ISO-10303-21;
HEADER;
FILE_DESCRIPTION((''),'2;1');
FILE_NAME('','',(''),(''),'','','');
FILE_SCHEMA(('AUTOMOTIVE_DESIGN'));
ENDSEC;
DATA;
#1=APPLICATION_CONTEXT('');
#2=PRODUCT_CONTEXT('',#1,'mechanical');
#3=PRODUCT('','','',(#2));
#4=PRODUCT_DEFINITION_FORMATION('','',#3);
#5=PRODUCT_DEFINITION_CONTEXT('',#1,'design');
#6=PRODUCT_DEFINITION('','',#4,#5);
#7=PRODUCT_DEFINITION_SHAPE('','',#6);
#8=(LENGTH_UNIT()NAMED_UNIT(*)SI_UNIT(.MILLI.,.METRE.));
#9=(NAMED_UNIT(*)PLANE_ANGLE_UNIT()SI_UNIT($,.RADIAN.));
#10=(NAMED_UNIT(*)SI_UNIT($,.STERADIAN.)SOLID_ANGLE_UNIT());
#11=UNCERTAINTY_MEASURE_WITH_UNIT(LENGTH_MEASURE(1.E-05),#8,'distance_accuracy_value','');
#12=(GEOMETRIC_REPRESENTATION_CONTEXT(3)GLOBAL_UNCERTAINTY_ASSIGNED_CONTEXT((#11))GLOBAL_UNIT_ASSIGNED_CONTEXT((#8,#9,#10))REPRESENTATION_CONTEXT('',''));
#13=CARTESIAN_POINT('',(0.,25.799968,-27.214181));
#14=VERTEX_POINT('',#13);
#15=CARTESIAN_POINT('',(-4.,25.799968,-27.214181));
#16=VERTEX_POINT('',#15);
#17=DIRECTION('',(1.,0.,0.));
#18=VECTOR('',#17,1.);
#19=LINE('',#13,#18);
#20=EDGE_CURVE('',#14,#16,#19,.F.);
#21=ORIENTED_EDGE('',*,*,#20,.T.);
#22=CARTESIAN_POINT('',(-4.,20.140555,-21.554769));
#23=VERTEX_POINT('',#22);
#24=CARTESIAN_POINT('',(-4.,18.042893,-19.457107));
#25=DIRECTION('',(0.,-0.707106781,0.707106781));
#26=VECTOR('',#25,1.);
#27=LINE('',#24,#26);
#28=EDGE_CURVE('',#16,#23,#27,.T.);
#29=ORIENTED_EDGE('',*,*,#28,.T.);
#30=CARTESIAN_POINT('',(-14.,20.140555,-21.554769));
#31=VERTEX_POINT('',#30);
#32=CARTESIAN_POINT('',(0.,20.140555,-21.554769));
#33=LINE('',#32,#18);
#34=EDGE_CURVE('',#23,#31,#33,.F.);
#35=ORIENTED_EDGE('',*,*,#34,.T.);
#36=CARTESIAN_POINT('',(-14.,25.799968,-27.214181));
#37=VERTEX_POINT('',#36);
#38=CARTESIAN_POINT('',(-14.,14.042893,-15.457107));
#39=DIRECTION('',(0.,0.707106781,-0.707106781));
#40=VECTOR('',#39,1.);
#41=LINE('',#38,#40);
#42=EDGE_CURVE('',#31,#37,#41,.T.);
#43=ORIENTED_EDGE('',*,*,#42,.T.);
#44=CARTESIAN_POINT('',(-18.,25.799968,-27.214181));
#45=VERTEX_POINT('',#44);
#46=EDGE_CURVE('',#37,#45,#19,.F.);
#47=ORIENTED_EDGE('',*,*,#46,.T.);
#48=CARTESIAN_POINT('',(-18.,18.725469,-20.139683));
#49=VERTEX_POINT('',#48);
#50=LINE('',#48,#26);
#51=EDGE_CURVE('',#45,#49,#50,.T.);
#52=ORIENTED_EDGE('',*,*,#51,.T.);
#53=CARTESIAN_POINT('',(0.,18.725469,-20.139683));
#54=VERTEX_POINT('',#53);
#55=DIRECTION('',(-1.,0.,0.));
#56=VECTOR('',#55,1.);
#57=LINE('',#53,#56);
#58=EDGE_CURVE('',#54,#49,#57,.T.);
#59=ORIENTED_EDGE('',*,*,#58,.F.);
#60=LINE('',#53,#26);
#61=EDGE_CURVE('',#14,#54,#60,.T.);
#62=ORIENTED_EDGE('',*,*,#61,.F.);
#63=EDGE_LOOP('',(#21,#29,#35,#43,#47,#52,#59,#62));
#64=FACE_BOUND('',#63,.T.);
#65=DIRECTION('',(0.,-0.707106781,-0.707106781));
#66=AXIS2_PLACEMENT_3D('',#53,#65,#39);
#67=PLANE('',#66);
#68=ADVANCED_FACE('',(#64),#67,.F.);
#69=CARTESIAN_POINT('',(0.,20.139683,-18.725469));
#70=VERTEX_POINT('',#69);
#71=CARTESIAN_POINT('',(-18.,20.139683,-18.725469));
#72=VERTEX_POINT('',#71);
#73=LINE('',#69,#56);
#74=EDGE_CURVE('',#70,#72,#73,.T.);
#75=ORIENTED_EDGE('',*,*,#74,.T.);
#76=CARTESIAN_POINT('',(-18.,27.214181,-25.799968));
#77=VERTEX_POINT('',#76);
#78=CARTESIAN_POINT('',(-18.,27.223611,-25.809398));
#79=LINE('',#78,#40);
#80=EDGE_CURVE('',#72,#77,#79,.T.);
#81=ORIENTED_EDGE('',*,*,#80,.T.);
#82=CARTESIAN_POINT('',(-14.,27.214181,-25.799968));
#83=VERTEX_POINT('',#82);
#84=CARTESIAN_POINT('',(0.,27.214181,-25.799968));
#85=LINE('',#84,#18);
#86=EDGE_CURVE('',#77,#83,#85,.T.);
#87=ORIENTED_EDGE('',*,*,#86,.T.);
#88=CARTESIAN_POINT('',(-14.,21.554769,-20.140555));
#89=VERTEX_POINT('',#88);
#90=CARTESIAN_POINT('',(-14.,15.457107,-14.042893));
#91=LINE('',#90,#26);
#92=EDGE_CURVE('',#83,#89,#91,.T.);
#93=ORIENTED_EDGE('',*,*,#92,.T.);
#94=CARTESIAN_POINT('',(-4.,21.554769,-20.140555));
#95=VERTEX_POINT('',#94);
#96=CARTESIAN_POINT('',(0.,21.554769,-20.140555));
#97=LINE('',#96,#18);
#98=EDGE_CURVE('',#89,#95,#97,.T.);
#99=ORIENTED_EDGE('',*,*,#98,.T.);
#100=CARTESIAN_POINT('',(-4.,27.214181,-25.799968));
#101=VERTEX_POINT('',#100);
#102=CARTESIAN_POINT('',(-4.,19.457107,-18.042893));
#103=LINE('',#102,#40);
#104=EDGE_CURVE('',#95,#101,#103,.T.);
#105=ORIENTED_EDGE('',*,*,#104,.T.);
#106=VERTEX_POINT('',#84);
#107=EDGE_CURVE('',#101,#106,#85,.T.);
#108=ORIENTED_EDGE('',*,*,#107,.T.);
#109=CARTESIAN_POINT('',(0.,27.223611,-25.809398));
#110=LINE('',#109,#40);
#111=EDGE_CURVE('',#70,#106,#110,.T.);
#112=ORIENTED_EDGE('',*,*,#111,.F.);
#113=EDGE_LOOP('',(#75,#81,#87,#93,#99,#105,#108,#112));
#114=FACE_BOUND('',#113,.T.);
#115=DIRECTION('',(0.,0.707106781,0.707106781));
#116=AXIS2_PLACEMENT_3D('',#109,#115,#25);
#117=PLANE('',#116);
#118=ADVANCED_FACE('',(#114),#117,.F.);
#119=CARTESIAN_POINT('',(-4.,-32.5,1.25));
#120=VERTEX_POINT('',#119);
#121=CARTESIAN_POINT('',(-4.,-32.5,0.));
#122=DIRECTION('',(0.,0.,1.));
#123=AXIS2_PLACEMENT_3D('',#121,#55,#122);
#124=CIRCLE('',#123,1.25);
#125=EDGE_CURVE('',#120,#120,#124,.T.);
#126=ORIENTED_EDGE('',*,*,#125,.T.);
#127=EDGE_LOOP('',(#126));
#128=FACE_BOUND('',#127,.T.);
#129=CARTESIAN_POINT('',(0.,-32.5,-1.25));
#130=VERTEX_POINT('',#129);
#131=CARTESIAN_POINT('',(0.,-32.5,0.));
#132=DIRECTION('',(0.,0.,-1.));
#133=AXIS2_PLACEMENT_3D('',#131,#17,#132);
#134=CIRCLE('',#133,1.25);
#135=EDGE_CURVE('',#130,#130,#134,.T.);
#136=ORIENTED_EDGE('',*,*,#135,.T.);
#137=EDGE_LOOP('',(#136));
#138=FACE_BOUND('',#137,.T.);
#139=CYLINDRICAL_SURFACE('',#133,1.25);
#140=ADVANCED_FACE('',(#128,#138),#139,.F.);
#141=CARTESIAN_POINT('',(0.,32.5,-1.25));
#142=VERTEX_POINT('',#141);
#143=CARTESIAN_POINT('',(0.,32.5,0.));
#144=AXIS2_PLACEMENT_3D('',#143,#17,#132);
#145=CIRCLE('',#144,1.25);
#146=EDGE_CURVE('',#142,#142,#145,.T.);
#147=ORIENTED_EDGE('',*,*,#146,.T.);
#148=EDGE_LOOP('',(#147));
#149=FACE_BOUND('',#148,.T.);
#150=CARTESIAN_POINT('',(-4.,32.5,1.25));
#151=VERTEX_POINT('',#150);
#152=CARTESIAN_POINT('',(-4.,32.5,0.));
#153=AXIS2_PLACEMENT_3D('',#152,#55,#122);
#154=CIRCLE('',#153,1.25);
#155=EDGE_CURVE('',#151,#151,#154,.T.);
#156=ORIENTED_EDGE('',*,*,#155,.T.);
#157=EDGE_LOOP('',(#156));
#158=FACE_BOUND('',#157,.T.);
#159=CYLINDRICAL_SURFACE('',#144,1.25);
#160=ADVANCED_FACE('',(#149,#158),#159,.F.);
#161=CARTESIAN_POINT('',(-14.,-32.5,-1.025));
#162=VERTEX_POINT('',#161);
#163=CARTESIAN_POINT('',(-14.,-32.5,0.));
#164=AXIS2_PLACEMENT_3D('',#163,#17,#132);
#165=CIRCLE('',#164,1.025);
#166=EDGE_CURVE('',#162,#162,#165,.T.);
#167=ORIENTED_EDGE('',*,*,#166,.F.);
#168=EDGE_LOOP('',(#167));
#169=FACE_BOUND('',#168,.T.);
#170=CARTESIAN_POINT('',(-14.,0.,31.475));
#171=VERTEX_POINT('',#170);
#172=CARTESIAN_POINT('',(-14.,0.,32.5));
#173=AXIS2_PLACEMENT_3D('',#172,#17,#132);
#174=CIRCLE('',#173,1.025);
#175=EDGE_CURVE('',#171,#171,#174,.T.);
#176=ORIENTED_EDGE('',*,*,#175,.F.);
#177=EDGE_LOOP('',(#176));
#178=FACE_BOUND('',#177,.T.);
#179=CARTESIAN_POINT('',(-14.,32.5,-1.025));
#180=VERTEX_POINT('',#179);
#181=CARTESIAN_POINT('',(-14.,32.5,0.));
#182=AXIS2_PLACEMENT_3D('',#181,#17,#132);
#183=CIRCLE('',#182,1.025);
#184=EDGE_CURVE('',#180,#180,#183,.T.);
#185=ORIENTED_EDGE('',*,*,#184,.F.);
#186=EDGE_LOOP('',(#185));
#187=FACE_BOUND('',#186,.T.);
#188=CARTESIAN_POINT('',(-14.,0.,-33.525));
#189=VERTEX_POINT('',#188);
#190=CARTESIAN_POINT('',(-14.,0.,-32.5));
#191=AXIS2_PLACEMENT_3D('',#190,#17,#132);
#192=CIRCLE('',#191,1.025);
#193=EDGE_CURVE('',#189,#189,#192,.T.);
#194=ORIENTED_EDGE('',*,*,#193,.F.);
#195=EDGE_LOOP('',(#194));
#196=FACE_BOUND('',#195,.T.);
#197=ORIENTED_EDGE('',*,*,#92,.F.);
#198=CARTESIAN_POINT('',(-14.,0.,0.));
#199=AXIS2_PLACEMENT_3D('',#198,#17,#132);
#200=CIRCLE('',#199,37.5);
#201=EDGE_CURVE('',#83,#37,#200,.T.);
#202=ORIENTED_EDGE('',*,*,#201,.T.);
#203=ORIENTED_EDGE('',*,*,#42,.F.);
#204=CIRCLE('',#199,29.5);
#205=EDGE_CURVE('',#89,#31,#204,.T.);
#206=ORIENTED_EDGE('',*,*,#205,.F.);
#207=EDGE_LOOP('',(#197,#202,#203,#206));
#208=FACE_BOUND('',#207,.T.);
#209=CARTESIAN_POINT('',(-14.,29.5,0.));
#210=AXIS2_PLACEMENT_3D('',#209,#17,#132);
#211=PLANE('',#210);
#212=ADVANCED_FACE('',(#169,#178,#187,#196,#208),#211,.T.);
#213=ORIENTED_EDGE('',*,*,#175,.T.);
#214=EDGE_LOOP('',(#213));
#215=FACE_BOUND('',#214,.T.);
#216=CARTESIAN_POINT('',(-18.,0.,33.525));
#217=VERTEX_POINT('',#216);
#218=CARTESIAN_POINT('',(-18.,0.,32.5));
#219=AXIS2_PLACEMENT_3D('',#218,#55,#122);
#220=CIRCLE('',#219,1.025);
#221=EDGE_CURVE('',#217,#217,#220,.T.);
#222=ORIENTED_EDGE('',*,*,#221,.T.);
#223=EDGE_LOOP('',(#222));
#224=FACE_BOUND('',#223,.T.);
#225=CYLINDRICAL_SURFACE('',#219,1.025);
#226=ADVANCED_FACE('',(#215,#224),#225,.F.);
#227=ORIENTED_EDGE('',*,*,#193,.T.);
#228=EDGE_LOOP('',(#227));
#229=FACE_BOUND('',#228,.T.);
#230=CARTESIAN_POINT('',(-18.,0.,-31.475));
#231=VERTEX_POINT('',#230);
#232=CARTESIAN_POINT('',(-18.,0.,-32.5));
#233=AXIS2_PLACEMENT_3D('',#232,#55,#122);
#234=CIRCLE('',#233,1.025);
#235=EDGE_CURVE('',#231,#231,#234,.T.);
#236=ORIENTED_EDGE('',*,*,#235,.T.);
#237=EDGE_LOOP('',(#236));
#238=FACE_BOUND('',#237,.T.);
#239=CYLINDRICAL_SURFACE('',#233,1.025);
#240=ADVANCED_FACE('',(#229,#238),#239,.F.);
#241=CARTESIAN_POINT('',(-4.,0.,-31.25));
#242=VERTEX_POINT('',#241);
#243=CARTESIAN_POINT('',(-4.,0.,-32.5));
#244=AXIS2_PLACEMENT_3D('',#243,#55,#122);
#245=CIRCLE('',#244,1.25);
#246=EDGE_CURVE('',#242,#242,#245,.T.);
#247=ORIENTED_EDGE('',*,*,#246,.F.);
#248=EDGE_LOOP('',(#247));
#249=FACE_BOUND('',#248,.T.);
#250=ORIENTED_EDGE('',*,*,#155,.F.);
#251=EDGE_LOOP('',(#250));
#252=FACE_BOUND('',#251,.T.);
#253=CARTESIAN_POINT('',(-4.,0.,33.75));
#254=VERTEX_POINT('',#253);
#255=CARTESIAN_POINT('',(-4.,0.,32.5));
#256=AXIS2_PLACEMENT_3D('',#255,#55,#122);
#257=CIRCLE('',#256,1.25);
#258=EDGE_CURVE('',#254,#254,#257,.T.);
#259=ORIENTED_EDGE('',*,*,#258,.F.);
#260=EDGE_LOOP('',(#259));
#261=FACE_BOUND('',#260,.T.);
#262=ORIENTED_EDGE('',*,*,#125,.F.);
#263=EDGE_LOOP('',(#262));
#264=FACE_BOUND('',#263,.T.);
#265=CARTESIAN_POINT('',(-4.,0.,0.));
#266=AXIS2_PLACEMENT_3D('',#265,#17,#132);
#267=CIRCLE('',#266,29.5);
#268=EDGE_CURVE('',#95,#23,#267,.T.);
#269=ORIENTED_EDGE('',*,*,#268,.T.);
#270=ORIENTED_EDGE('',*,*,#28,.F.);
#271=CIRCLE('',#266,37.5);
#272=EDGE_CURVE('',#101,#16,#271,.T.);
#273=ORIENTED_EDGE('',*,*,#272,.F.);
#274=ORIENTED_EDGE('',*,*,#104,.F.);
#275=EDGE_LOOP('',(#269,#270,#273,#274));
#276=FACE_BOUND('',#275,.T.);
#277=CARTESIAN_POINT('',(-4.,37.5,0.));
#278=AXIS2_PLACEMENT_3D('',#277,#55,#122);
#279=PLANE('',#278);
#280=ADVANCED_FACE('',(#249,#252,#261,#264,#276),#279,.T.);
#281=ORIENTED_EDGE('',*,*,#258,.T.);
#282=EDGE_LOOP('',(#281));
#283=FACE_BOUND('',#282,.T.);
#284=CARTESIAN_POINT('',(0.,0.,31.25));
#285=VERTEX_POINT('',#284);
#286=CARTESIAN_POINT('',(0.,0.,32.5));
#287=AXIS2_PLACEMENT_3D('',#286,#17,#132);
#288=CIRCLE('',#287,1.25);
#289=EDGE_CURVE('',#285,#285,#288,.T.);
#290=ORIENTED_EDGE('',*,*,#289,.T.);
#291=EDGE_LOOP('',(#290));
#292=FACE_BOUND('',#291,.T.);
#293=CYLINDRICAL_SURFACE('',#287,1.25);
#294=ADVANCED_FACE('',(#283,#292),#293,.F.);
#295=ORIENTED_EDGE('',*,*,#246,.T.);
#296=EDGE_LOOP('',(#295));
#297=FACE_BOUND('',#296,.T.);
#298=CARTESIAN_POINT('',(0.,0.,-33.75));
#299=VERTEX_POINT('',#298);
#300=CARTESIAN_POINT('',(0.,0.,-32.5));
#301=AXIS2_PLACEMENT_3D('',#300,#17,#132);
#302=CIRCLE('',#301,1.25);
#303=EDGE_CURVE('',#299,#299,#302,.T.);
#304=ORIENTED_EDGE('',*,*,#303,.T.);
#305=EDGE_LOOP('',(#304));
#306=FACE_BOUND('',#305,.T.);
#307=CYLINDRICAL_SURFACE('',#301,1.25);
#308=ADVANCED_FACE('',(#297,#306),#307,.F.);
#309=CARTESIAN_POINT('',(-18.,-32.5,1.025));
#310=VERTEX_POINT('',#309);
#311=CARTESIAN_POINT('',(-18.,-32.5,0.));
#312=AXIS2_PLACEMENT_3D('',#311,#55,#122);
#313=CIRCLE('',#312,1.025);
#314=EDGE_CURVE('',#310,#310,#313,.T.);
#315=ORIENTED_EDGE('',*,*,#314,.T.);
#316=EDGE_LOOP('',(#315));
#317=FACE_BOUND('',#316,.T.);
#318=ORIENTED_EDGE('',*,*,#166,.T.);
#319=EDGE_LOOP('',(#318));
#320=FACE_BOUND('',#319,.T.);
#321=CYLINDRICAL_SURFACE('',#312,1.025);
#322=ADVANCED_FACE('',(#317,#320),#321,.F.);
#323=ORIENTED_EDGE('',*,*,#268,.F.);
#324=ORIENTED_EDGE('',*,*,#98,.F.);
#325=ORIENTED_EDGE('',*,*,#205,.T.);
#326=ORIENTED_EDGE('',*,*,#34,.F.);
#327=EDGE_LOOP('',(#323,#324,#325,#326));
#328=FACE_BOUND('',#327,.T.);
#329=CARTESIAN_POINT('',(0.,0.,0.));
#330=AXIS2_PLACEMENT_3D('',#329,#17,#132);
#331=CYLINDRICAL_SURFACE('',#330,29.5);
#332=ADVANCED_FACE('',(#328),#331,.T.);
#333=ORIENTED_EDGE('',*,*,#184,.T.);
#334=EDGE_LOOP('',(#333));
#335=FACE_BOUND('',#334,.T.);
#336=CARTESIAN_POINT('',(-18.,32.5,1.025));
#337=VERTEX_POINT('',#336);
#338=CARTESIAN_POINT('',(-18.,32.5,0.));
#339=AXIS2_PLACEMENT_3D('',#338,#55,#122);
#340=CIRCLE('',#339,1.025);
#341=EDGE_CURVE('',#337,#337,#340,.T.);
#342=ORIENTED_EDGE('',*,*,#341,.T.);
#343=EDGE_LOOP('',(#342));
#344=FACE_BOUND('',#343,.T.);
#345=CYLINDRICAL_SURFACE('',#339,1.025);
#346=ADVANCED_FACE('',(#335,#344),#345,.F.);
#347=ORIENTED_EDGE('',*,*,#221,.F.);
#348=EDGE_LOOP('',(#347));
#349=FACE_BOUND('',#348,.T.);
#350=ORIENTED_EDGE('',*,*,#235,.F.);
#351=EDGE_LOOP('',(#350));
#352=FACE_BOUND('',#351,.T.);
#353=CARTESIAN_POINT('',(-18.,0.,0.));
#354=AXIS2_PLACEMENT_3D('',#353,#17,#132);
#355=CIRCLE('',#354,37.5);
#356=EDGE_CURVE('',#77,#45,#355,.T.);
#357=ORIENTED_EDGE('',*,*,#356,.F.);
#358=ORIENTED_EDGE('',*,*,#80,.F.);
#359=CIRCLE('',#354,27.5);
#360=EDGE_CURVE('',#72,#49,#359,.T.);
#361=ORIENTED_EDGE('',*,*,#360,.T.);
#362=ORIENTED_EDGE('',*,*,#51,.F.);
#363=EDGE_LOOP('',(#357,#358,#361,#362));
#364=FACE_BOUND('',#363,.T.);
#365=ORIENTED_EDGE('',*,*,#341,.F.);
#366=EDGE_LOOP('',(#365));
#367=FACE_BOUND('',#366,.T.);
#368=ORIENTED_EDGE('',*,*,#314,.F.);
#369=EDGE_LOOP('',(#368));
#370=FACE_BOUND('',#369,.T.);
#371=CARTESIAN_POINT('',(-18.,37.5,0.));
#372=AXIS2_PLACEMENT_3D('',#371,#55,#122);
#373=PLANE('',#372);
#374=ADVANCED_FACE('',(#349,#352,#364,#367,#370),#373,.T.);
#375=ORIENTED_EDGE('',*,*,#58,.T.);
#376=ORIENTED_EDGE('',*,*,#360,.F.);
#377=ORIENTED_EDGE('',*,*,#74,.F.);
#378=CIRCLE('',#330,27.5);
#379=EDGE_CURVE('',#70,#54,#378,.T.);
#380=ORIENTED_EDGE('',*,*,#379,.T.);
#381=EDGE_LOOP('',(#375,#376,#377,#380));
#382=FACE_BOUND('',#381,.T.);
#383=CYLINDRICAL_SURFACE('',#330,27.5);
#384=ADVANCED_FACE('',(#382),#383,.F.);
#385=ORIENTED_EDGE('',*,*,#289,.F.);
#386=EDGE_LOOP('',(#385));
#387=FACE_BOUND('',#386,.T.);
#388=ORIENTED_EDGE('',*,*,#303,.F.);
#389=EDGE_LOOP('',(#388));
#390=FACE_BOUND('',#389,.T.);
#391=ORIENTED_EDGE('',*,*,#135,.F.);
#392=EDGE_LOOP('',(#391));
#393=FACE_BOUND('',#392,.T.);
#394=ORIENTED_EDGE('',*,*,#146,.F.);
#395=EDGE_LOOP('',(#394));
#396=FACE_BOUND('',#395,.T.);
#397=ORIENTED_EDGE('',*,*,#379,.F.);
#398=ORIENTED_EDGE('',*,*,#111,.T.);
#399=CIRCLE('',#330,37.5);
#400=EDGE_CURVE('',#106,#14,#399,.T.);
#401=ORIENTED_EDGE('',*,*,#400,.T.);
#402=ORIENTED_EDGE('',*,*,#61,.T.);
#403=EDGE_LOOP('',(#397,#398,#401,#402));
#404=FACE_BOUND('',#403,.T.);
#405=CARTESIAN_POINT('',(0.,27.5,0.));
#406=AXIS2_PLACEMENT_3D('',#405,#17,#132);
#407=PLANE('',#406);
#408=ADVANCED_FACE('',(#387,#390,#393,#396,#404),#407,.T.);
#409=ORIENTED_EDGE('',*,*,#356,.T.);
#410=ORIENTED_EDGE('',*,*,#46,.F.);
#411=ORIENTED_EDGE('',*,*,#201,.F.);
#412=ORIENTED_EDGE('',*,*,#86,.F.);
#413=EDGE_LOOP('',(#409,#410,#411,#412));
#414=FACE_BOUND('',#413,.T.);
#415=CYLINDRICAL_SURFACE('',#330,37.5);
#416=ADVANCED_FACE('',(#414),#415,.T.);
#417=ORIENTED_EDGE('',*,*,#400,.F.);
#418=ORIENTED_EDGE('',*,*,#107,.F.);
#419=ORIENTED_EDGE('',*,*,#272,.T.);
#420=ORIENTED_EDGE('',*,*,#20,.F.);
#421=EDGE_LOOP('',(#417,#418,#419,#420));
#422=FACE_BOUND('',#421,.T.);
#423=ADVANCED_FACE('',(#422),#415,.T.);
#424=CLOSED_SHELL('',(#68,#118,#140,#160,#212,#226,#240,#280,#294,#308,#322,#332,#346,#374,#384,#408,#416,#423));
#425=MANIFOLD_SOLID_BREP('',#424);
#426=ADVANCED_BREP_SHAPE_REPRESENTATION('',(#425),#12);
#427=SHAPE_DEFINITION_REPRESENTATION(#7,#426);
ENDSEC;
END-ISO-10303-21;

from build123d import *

# Parameters (mm, degrees)
M2_5X0_45_TAPPED_HOLE2_D     = 2.05
M2_5X0_45_TAPPED_HOLE2_DEPTH = 6.35
M2_5X0_45_TAPPED_HOLE2_TIP   = 0.615882135
M3X0_5_TAPPED_HOLE1_D        = 2.5
M3X0_5_TAPPED_HOLE1_DEPTH    = 7.5
M3X0_5_TAPPED_HOLE1_TIP      = 0.751075774
CUT_EXTRUDE1_DEPTH           = 57.004464108


with BuildPart() as part:
    # Sketch1 → Revolve1 (revolve)
    with BuildSketch(Plane.XY, mode=Mode.PRIVATE) as revolve1_sk:
        Polygon((-18, 27.5), (0, 27.5), (0, 37.5), (-4, 37.5), (-4, 29.5), (-14, 29.5), (-14, 37.5), (-18, 37.5), align=None)
    revolve(revolve1_sk.sketch.rotate(Axis((0, 0, 0), (-1, 0, 0)), 90), axis=Axis((0, 0, 0), (-1, 0, 0)))

    # M2.5x0.45 Tapped Hole2
    with Locations(Plane.ZY.offset(18)):
        with Locations((0, -32.5), (-32.5, 0), (32.5, 0), (0, 32.5)):
            Hole(M2_5X0_45_TAPPED_HOLE2_D / 2, depth=M2_5X0_45_TAPPED_HOLE2_DEPTH)
            with Locations((0, 0, -(M2_5X0_45_TAPPED_HOLE2_DEPTH + M2_5X0_45_TAPPED_HOLE2_TIP / 2))):  # 118° drill point
                Cone(0, M2_5X0_45_TAPPED_HOLE2_D / 2, M2_5X0_45_TAPPED_HOLE2_TIP, mode=Mode.SUBTRACT)

    # M3x0.5 Tapped Hole1
    with Locations(Plane(origin=(0, 0, 0), x_dir=(0, 0, -1), z_dir=(1, 0, 0))):
        with Locations((-32.5, 0), (0, -32.5), (32.5, 0), (0, 32.5)):
            Hole(M3X0_5_TAPPED_HOLE1_D / 2, depth=M3X0_5_TAPPED_HOLE1_DEPTH)
            with Locations((0, 0, -(M3X0_5_TAPPED_HOLE1_DEPTH + M3X0_5_TAPPED_HOLE1_TIP / 2))):  # 118° drill point
                Cone(0, M3X0_5_TAPPED_HOLE1_D / 2, M3X0_5_TAPPED_HOLE1_TIP, mode=Mode.SUBTRACT)

    # Sketch8 → Cut-Extrude1 (cut, through all)
    with BuildSketch(Plane.ZY.offset(18)):
        Polygon((-27.223611076, 25.809397513), (-25.809397513, 27.223611076), (-18.725468962, 20.139682524), (-20.139682524, 18.725468962), align=None)
    extrude(amount=-CUT_EXTRUDE1_DEPTH, mode=Mode.SUBTRACT)


solid = part.part
